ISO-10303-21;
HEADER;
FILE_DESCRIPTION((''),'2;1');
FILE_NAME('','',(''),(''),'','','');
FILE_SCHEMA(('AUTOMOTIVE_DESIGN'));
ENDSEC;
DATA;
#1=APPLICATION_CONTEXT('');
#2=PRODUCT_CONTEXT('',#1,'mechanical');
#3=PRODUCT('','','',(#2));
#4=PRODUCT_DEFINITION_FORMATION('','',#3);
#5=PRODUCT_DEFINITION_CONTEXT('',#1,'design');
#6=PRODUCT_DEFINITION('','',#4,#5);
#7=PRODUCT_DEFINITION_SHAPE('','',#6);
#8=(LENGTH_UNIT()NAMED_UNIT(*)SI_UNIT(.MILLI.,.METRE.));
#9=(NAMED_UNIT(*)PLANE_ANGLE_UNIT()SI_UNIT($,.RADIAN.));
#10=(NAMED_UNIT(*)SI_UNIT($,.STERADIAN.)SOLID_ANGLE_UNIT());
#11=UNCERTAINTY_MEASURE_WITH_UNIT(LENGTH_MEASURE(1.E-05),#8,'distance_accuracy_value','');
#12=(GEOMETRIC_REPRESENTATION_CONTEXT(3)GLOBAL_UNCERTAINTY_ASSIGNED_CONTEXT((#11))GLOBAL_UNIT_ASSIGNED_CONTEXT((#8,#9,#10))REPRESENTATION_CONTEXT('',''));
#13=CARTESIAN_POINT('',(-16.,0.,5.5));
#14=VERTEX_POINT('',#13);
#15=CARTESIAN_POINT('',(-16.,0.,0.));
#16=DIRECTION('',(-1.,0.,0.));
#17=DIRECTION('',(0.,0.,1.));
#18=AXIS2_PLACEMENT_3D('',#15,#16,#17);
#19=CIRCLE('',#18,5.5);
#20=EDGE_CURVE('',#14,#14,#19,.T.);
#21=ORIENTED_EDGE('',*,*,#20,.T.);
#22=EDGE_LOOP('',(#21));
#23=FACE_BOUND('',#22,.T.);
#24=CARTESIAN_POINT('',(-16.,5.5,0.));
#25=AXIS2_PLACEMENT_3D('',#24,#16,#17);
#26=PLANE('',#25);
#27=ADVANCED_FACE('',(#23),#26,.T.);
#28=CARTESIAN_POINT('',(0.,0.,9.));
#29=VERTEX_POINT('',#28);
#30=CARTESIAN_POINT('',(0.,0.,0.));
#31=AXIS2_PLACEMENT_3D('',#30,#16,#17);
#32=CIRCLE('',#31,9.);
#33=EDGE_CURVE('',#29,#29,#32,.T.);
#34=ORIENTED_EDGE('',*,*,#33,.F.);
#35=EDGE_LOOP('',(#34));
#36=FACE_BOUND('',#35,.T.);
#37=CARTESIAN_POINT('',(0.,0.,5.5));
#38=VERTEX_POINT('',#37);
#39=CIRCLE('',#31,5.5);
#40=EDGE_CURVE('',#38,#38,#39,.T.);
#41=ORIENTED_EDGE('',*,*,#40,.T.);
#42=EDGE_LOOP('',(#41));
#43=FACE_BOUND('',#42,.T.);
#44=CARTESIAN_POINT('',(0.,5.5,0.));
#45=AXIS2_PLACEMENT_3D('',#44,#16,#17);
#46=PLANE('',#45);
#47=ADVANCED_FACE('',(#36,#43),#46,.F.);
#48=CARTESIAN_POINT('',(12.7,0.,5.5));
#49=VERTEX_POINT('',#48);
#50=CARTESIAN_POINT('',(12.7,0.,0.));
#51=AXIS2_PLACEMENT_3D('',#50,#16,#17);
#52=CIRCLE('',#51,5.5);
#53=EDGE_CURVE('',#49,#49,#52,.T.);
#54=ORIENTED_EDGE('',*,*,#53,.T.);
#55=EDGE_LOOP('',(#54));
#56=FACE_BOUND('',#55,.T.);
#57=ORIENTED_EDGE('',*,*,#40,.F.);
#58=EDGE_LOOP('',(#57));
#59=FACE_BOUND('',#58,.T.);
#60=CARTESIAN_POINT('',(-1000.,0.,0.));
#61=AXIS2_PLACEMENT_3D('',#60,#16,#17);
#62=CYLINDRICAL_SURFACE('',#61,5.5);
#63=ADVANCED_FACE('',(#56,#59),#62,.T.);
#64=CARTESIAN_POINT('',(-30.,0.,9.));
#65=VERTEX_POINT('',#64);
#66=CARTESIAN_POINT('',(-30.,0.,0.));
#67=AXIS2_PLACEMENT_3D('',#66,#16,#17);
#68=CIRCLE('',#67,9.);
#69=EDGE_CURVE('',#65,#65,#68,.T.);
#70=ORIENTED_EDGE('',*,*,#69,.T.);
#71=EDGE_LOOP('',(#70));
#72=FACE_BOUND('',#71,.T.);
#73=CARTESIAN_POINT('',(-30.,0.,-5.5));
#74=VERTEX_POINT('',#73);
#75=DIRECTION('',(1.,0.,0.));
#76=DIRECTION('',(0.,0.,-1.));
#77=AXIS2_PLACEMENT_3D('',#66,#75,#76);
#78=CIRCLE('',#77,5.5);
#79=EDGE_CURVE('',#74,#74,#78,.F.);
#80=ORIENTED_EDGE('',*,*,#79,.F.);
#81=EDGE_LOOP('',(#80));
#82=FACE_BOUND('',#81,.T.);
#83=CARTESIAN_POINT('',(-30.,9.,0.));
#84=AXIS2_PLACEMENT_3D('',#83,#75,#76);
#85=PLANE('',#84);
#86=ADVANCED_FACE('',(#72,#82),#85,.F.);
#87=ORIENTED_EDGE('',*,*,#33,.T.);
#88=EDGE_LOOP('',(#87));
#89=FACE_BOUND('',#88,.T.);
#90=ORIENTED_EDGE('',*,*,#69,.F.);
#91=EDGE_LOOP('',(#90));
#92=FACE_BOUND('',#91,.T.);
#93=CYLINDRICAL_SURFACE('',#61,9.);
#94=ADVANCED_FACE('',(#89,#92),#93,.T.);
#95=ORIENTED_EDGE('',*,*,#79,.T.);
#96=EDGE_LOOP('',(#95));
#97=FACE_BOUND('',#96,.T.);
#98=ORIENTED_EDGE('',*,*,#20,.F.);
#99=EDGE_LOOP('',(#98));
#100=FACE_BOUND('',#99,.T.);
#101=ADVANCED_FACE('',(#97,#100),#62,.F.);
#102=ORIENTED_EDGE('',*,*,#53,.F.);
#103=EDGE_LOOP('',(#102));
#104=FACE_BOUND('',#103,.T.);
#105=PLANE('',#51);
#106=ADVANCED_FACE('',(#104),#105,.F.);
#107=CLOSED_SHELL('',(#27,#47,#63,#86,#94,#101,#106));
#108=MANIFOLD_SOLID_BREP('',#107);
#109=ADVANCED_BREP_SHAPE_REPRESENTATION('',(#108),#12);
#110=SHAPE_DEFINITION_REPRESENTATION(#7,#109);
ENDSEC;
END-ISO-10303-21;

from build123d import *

# Parameters (mm, degrees)
SOCKET_1_SKETCH_W = 15
SOCKET_1_SKETCH_H = 5.5


with BuildPart() as part:
    # NPT_Ext_30 Sketch → NPT_Ext_30 (revolve)
    with BuildSketch(Plane.XY):
        Polygon((12.7, 0), (12.7, 5.5), (0, 5.5), (0, 9), (-30, 9), (-30, 0), align=None)
    revolve(axis=Axis((-1000, 0, 0), (1, 0, 0)))

    # Socket 1 Sketch → Socket 1 (revolve, cut)
    with BuildSketch(Plane.XY):
        with Locations((-23.5, 2.75)):
            Rectangle(SOCKET_1_SKETCH_W, SOCKET_1_SKETCH_H)
    revolve(axis=Axis((-1000, 0, 0), (1, 0, 0)), mode=Mode.SUBTRACT)


solid = part.part
